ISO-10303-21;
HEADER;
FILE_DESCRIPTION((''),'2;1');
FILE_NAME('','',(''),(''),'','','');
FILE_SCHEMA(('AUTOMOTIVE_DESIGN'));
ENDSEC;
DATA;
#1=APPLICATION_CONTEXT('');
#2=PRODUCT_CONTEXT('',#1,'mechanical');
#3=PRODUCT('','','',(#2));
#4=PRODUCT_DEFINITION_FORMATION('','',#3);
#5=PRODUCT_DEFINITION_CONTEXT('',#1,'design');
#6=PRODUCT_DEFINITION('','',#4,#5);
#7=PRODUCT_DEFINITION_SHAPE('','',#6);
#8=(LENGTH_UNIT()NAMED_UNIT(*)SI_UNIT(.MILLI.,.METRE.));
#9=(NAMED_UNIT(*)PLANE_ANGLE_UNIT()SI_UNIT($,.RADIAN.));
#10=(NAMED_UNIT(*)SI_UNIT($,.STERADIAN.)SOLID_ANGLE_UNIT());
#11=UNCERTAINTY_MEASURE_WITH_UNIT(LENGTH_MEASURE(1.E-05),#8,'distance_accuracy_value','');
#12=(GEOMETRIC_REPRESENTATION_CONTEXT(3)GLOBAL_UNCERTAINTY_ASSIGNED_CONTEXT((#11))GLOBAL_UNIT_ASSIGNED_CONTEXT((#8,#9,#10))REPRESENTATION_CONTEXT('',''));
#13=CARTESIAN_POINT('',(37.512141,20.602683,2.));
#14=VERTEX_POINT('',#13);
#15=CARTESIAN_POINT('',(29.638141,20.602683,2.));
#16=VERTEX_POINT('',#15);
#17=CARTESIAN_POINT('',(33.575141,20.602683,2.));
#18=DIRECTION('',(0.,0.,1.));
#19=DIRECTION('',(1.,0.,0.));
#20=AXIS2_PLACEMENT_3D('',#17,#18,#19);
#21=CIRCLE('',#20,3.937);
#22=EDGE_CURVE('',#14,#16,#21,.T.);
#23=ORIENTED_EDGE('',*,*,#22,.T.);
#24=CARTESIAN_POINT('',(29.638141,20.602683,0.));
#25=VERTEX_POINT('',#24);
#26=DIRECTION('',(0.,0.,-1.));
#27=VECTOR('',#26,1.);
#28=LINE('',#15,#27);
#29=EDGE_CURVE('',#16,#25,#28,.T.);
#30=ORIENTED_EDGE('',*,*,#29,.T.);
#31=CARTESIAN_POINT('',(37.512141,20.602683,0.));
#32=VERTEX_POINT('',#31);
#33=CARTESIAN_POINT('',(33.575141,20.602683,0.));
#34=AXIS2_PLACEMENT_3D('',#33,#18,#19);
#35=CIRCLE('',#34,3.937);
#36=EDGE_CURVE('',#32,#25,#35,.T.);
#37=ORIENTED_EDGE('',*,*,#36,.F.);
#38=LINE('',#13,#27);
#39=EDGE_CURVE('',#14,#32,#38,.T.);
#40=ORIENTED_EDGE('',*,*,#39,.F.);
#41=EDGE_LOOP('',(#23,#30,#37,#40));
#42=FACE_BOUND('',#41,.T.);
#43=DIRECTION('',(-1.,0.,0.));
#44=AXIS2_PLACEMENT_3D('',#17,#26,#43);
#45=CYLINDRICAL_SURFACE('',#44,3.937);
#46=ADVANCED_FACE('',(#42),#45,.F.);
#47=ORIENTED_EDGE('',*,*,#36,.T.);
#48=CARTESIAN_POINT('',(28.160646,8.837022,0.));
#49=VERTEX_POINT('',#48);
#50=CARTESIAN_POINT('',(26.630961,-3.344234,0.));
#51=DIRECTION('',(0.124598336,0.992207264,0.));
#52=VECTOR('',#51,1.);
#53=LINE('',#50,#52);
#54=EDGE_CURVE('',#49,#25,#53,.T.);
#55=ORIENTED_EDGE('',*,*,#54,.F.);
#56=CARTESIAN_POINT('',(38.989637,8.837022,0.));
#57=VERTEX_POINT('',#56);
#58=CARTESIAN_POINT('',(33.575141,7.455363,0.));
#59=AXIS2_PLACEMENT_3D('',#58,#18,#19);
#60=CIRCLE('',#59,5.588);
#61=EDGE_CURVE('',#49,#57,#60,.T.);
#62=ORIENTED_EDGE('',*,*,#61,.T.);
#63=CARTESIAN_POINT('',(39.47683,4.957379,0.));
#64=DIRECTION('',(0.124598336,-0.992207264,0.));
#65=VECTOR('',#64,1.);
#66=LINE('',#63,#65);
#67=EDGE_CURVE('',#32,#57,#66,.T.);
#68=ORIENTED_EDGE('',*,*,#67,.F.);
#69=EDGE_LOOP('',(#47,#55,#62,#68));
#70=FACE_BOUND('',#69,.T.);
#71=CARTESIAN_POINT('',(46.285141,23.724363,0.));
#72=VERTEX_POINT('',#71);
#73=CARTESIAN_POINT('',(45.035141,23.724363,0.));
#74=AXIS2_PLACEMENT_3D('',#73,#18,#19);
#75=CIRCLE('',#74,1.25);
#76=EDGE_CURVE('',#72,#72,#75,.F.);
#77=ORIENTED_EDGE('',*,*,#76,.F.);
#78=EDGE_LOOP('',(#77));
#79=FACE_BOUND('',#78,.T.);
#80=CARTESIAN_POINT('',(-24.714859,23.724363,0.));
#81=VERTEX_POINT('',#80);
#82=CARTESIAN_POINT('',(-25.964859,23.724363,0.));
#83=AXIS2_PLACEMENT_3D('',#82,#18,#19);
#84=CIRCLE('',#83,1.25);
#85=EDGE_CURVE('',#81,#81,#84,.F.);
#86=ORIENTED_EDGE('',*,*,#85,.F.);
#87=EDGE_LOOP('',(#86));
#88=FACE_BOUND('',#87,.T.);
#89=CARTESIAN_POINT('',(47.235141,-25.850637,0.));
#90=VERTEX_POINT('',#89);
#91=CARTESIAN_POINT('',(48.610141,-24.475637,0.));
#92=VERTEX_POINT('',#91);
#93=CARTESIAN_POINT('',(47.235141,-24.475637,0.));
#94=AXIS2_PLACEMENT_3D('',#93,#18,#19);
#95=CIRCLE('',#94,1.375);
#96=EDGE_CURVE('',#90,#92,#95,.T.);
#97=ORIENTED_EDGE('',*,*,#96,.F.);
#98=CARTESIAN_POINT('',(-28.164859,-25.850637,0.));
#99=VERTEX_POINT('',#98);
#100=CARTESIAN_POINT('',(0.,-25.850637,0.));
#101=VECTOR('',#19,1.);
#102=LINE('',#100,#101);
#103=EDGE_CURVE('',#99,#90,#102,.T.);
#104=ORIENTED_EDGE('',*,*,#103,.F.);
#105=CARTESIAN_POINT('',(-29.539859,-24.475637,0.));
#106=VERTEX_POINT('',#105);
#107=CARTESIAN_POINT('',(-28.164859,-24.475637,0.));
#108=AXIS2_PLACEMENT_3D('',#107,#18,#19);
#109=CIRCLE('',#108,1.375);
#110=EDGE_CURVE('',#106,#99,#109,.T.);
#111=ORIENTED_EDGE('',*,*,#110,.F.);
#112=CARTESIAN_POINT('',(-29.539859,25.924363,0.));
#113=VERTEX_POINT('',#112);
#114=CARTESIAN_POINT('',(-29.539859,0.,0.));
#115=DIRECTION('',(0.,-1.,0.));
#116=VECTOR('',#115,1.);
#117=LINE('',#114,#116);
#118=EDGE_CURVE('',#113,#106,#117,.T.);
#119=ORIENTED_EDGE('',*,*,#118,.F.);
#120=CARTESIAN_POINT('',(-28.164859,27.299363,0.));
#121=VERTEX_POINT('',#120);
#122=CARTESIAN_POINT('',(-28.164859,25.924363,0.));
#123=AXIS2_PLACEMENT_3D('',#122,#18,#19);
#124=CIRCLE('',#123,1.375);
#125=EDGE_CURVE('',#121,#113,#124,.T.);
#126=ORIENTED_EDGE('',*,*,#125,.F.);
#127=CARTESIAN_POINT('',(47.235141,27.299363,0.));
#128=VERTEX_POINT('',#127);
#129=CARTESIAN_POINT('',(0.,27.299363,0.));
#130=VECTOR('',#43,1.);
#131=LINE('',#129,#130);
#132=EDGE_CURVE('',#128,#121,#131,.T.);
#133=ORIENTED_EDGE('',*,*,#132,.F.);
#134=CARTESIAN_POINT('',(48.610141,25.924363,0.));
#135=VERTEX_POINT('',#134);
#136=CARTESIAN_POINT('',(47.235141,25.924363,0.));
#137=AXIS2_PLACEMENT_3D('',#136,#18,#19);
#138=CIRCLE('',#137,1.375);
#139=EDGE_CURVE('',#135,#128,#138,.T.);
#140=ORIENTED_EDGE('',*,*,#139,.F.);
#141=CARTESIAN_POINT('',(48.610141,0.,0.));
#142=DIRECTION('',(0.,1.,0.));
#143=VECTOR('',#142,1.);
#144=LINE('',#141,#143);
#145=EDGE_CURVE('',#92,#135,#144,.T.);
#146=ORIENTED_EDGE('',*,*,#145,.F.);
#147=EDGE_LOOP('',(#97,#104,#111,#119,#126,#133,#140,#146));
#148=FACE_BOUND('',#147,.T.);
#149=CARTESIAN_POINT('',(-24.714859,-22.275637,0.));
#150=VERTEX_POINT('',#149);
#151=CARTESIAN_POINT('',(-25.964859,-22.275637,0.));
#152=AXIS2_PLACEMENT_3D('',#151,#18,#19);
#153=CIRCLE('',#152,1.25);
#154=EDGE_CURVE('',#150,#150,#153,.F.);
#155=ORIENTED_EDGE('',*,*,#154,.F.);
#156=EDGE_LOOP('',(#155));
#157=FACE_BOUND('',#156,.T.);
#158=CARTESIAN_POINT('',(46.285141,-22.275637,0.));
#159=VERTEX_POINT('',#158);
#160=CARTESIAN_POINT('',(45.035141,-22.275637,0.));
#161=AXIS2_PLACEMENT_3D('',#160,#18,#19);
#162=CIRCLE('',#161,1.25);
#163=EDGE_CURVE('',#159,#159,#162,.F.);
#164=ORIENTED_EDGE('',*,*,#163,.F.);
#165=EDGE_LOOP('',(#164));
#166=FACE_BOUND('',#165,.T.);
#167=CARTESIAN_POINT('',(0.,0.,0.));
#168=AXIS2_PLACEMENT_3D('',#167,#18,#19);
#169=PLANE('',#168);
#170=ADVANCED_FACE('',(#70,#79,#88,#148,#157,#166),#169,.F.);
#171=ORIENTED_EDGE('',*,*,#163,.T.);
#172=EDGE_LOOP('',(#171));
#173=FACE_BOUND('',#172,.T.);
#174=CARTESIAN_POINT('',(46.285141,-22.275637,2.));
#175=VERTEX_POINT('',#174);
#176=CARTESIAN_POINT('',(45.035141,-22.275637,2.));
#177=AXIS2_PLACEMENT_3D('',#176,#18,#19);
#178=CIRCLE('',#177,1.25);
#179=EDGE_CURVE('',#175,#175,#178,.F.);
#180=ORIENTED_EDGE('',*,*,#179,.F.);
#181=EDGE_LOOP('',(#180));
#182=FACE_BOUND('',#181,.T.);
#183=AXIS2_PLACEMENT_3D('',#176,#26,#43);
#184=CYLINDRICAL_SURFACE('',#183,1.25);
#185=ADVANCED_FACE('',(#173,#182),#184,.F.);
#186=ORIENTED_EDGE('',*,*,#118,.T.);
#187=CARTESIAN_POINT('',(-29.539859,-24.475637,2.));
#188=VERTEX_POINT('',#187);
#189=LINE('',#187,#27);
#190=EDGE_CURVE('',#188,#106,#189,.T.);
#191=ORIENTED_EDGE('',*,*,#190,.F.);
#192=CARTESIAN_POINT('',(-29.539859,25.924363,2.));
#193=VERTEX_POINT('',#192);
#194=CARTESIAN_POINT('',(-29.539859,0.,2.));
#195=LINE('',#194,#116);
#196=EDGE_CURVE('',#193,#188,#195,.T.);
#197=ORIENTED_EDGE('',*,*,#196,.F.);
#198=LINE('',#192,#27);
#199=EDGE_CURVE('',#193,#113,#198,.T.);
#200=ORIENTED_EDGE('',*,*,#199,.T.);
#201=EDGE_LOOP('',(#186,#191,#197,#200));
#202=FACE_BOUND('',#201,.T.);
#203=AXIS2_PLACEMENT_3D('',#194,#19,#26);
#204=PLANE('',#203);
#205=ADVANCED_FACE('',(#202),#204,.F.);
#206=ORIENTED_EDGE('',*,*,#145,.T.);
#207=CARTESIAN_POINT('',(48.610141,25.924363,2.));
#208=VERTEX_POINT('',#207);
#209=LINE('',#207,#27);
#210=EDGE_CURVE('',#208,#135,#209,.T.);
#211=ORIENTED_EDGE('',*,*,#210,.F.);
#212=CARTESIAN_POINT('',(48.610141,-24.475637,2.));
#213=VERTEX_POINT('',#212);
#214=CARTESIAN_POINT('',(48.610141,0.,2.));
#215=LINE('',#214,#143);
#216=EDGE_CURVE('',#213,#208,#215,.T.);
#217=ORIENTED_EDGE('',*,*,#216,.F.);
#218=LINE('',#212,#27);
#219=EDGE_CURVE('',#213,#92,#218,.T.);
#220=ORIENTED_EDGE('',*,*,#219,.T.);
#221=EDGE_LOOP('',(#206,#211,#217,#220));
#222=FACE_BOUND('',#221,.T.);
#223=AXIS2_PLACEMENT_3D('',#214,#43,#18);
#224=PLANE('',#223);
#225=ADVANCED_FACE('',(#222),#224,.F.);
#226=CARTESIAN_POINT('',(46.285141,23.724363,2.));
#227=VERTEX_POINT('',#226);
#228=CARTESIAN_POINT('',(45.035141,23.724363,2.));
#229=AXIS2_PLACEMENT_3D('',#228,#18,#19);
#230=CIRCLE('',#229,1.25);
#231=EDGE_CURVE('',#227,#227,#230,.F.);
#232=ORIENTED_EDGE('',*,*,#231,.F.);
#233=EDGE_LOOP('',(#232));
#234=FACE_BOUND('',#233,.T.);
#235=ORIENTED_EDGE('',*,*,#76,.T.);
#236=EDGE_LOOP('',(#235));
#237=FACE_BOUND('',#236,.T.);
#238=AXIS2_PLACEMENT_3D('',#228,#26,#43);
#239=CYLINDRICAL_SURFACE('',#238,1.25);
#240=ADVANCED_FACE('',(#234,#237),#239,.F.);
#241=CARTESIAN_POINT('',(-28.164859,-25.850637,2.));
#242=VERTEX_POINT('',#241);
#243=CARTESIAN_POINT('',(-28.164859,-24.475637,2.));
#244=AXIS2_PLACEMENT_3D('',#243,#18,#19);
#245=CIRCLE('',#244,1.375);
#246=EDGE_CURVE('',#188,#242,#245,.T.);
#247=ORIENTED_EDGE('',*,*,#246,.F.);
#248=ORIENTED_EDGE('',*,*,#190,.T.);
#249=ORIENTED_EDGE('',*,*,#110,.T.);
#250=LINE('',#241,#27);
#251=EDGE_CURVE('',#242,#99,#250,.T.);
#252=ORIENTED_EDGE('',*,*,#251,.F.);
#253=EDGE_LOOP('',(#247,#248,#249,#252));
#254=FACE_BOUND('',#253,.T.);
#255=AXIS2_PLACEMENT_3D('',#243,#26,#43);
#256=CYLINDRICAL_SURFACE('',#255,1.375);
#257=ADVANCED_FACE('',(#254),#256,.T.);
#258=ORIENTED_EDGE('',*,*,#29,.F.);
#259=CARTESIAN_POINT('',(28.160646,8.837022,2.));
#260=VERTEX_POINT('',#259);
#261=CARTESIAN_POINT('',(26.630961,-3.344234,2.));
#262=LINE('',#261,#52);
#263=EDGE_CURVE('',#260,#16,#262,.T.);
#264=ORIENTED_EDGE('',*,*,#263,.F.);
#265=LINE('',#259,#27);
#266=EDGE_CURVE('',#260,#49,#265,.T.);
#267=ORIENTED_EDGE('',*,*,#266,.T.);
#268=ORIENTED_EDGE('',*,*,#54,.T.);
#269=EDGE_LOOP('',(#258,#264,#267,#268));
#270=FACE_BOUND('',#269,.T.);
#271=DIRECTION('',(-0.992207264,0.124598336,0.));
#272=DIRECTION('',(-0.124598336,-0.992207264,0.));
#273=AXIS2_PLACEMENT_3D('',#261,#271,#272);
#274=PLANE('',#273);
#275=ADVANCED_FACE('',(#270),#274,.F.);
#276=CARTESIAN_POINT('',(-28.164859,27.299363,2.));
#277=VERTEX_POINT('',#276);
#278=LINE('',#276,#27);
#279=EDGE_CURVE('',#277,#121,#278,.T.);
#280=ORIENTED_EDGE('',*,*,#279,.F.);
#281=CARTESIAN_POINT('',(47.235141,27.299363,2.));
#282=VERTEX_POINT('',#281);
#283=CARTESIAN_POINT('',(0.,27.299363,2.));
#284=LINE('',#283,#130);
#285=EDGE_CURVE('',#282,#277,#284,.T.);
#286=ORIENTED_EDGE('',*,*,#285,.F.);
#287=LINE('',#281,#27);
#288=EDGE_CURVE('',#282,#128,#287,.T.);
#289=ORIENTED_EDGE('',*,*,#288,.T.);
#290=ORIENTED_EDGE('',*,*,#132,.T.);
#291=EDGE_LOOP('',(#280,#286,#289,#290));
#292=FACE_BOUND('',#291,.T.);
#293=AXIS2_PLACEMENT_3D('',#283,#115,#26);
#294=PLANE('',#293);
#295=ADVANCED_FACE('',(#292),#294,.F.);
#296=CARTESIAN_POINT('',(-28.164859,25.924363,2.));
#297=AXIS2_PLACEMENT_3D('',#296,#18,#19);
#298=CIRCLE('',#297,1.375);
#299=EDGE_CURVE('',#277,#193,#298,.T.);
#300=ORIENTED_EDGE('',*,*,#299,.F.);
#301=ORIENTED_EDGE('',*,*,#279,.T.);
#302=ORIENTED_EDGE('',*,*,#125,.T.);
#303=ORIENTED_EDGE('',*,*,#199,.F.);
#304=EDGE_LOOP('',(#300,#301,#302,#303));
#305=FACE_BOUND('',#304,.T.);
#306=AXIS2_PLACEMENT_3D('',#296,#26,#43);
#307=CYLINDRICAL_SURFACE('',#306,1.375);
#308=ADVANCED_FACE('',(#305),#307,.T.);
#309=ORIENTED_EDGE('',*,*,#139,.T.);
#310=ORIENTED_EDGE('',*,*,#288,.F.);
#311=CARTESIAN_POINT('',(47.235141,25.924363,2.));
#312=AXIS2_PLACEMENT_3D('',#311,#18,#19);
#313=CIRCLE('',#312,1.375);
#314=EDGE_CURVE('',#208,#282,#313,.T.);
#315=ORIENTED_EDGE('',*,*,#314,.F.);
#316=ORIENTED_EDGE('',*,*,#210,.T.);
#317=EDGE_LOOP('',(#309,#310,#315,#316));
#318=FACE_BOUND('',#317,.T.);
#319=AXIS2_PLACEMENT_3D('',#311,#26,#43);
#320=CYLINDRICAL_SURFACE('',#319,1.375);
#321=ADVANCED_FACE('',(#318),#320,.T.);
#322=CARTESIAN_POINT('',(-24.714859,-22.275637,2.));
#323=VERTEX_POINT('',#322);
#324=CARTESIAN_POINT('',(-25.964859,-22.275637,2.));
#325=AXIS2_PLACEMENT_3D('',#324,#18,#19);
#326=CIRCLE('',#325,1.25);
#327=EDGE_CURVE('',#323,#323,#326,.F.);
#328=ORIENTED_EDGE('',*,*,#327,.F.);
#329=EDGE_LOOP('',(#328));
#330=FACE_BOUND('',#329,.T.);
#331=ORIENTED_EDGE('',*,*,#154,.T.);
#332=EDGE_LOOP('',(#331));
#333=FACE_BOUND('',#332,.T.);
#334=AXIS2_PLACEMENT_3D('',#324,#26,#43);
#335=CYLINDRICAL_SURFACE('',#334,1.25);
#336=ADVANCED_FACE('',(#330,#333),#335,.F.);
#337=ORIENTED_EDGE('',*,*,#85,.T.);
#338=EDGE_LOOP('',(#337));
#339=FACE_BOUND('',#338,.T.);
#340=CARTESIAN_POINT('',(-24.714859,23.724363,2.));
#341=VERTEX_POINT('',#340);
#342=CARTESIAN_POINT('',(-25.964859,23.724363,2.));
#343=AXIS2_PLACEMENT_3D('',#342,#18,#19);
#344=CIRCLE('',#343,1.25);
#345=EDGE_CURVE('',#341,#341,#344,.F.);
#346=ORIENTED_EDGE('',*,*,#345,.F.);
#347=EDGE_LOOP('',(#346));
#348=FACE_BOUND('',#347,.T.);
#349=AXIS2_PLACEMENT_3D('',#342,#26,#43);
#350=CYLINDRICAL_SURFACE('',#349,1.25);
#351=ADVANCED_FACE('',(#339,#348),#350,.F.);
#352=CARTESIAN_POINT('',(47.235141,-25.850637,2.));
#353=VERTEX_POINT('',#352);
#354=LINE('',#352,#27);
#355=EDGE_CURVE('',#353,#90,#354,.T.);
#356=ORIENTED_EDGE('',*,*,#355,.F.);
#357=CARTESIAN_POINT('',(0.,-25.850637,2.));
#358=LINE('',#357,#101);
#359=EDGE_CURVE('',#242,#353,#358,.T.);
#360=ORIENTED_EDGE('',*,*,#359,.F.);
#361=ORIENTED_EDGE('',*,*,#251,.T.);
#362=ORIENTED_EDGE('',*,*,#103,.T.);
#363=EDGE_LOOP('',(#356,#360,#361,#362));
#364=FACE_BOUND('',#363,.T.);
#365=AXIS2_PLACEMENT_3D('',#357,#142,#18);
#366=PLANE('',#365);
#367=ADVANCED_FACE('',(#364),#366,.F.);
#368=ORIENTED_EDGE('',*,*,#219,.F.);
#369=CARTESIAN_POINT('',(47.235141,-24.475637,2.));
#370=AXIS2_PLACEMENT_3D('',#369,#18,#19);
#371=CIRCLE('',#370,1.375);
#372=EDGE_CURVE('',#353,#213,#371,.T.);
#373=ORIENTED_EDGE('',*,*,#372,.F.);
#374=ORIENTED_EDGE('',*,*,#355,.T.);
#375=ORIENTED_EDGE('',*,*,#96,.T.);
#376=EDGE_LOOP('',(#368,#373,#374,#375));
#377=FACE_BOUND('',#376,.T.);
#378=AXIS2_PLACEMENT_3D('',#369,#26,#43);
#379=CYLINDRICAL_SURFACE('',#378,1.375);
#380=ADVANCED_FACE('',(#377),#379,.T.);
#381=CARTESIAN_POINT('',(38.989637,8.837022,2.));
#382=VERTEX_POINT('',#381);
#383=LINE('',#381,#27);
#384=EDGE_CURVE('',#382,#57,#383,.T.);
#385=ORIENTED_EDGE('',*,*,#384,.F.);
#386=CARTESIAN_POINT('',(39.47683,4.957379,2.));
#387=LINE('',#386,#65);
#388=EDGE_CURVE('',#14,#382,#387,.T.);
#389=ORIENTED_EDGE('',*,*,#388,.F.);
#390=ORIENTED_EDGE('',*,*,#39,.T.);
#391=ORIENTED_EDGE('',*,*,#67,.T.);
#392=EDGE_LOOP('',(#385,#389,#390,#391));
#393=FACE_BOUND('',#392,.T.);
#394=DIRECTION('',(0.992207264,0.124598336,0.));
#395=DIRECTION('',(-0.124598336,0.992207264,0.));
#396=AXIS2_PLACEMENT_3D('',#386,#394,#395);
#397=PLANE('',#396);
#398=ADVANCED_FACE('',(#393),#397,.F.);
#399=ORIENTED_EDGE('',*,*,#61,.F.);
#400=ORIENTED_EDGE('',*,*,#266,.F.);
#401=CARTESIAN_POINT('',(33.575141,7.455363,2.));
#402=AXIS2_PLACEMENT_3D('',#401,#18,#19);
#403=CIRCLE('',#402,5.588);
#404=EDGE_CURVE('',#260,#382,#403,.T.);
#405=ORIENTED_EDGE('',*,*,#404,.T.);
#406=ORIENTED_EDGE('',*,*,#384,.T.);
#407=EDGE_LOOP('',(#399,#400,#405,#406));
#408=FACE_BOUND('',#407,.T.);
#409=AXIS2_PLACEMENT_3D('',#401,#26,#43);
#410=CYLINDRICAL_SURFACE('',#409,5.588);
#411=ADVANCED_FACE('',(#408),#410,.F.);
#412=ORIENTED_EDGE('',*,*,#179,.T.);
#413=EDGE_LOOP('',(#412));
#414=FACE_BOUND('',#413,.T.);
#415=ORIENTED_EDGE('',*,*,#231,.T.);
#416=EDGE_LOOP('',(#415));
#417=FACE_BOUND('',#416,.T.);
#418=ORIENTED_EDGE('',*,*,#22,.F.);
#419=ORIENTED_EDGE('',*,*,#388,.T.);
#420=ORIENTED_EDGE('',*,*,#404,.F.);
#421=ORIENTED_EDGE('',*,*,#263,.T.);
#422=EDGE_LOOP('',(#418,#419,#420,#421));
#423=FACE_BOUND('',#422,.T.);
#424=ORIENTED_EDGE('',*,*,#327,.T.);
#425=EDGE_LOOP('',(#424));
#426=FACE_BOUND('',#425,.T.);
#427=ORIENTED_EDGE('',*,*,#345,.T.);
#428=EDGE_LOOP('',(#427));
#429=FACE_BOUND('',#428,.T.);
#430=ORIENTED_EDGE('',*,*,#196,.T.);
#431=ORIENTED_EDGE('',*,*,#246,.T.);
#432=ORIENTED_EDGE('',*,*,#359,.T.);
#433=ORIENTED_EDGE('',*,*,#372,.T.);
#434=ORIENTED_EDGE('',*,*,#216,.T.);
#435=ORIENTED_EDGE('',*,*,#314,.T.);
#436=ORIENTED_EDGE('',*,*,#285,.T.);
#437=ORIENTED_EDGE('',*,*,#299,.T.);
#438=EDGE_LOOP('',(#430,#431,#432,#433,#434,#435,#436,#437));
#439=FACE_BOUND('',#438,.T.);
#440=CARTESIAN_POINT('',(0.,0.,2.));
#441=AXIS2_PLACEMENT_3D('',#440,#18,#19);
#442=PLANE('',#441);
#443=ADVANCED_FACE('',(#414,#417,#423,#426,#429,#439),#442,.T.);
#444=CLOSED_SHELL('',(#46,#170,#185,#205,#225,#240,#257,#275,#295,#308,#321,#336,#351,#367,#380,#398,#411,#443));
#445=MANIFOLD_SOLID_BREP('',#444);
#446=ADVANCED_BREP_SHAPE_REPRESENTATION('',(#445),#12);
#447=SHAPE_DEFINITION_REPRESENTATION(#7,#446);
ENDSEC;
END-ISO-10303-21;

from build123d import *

# Parameters (mm, degrees)
SKETCH1_R           = 1.25
BOSS_EXTRUDE1_DEPTH = 2


with BuildPart() as part:
    # Sketch1 → Boss-Extrude1 (new body)
    with BuildSketch(Plane.XY):
        with BuildLine():
            ThreePointArc((48.610141298, 25.924362859), (48.207413123, 26.896634683), (47.235141298, 27.299362859))
            Line((47.235141298, 27.299362859), (-28.164858702, 27.299362859))
            ThreePointArc((-28.164858702, 27.299362859), (-29.137130526, 26.896634683), (-29.539858702, 25.924362859))
            Line((-29.539858702, 25.924362859), (-29.539858702, -24.475637141))
            ThreePointArc((-29.539858702, -24.475637141), (-29.137130526, -25.447908965), (-28.164858702, -25.850637141))
            Line((-28.164858702, -25.850637141), (47.235141298, -25.850637141))
            ThreePointArc((47.235141298, -25.850637141), (48.207413123, -25.447908965), (48.610141298, -24.475637141))
            Line((48.610141298, -24.475637141), (48.610141298, 25.924362859))
        make_face()
        with Locations((-25.964858702, -22.275637141)):
            Circle(SKETCH1_R, mode=Mode.SUBTRACT)
        with Locations((45.035141298, -22.275637141)):
            Circle(SKETCH1_R, mode=Mode.SUBTRACT)
        with Locations((-25.964858702, 23.724362859)):
            Circle(SKETCH1_R, mode=Mode.SUBTRACT)
        with BuildLine():
            ThreePointArc((29.638141298, 20.602682845), (33.575141298, 24.539682845), (37.512141298, 20.602682845))
            Line((37.512141298, 20.602682845), (38.989636745, 8.837022391))
            ThreePointArc((38.989636745, 8.837022391), (33.575141298, 1.867362859), (28.160645852, 8.837022391))
            Line((28.160645852, 8.837022391), (29.638141298, 20.602682845))
        make_face(mode=Mode.SUBTRACT)
        with Locations((45.035141298, 23.724362859)):
            Circle(SKETCH1_R, mode=Mode.SUBTRACT)
    extrude(amount=BOSS_EXTRUDE1_DEPTH)


solid = part.part
